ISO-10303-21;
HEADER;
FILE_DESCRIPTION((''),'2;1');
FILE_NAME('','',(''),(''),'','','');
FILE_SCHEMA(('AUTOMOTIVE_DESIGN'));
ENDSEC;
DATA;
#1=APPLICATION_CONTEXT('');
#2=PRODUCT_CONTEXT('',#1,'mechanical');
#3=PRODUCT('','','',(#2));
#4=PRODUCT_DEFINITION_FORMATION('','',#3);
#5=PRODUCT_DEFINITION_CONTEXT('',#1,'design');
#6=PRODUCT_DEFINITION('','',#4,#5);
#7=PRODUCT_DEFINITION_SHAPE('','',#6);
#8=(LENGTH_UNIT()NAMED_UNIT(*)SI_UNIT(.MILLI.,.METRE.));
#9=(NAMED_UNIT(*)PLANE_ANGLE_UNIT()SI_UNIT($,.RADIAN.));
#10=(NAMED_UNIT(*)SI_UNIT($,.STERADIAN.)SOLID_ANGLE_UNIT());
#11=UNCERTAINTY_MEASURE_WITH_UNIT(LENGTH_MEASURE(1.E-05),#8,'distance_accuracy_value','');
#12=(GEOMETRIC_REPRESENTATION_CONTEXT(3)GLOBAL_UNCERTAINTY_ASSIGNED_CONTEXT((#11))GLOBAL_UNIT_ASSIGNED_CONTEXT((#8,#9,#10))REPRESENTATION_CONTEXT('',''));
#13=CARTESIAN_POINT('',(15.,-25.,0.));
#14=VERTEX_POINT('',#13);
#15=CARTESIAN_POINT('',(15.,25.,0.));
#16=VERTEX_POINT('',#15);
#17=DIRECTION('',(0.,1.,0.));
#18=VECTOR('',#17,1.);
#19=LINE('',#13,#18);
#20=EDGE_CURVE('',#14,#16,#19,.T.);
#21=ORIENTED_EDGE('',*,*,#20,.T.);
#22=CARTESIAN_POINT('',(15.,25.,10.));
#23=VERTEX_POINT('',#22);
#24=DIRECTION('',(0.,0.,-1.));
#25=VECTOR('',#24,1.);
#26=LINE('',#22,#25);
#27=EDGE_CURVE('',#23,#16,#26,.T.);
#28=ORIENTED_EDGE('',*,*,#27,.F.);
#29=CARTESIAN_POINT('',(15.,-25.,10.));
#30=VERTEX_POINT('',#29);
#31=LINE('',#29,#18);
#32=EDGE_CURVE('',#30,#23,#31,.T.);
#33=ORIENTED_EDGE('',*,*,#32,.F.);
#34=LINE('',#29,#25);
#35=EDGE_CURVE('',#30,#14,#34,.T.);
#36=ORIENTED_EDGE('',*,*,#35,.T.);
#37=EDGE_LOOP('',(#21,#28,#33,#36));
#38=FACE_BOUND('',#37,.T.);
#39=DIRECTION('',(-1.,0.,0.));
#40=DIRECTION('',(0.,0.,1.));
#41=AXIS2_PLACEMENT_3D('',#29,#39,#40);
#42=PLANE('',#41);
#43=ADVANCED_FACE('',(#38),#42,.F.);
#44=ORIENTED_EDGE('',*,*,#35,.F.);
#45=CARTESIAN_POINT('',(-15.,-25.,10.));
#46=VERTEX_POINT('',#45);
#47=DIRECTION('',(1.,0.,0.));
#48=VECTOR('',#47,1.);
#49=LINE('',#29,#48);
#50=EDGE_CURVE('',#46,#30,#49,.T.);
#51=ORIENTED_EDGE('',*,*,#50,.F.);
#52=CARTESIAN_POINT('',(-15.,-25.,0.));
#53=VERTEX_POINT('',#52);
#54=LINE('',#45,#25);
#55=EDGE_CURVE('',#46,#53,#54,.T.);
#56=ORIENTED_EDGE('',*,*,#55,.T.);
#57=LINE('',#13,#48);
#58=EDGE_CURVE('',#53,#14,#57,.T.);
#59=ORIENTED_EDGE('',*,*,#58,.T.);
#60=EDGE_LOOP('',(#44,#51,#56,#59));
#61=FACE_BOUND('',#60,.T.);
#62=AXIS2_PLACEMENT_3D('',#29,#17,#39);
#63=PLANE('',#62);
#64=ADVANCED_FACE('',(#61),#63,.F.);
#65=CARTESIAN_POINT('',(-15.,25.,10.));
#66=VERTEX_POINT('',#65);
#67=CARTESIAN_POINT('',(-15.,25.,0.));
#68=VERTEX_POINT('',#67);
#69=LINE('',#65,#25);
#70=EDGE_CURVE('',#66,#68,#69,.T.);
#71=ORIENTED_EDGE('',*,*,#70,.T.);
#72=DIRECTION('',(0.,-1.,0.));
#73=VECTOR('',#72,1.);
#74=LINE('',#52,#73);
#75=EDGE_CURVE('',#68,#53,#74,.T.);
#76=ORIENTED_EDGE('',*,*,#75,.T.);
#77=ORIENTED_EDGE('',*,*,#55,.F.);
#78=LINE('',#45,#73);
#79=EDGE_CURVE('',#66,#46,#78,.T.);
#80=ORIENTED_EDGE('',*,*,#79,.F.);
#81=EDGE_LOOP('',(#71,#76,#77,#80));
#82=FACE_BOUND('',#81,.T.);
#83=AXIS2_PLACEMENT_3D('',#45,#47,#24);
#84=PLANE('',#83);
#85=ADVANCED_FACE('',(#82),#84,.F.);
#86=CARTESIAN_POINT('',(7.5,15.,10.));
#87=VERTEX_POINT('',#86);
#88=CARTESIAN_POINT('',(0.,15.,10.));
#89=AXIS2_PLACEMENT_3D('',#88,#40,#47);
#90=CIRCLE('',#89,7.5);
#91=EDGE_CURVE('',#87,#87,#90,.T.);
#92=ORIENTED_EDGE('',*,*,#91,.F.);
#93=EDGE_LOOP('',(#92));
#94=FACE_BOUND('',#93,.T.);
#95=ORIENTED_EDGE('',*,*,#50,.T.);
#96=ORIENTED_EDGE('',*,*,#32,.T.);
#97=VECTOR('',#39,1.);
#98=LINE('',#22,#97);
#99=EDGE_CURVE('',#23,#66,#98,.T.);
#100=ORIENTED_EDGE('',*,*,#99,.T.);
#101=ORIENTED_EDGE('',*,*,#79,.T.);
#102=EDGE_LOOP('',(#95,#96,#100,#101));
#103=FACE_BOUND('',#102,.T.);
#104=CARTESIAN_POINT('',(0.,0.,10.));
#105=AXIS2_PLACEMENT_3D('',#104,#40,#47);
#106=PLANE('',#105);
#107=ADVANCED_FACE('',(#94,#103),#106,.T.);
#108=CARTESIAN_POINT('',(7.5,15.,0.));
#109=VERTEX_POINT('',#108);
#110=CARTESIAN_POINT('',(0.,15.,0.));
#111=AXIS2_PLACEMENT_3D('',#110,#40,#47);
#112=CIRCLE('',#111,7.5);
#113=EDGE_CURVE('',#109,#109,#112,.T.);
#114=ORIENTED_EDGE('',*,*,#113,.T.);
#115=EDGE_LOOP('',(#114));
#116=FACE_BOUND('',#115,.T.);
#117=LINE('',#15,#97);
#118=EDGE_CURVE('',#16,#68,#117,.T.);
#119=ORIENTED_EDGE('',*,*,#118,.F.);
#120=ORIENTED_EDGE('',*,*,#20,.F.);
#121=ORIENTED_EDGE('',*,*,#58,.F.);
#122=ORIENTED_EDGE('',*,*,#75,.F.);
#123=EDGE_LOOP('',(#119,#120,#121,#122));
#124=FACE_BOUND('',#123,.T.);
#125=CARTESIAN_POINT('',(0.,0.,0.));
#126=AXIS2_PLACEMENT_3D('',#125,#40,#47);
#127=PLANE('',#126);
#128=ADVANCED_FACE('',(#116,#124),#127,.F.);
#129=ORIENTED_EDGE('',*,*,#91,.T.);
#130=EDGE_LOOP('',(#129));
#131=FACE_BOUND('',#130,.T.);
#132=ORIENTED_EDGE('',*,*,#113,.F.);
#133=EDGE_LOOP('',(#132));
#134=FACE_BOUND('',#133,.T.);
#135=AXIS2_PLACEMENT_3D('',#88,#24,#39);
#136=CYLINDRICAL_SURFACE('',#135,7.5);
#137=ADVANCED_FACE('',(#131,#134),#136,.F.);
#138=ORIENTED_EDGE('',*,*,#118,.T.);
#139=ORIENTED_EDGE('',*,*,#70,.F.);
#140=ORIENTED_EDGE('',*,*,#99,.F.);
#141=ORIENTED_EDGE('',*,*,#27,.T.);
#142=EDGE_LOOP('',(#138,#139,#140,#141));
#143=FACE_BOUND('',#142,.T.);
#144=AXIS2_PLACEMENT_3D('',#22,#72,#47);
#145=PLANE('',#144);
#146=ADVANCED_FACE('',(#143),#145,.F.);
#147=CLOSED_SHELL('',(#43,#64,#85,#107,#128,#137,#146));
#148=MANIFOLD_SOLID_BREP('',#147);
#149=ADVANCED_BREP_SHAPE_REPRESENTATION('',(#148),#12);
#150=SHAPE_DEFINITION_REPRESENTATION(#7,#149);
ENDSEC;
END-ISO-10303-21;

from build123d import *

# Parameters (mm, degrees)
SKETCH1_W           = 30
SKETCH1_H           = 50
SKETCH1_R           = 7.5
BOSS_EXTRUDE1_DEPTH = 10


with BuildPart() as part:
    # Sketch1 → Boss-Extrude1 (new body)
    with BuildSketch(Plane.XY):
        Rectangle(SKETCH1_W, SKETCH1_H)
        with Locations((0, 15)):
            Circle(SKETCH1_R, mode=Mode.SUBTRACT)
    extrude(amount=BOSS_EXTRUDE1_DEPTH)


solid = part.part
